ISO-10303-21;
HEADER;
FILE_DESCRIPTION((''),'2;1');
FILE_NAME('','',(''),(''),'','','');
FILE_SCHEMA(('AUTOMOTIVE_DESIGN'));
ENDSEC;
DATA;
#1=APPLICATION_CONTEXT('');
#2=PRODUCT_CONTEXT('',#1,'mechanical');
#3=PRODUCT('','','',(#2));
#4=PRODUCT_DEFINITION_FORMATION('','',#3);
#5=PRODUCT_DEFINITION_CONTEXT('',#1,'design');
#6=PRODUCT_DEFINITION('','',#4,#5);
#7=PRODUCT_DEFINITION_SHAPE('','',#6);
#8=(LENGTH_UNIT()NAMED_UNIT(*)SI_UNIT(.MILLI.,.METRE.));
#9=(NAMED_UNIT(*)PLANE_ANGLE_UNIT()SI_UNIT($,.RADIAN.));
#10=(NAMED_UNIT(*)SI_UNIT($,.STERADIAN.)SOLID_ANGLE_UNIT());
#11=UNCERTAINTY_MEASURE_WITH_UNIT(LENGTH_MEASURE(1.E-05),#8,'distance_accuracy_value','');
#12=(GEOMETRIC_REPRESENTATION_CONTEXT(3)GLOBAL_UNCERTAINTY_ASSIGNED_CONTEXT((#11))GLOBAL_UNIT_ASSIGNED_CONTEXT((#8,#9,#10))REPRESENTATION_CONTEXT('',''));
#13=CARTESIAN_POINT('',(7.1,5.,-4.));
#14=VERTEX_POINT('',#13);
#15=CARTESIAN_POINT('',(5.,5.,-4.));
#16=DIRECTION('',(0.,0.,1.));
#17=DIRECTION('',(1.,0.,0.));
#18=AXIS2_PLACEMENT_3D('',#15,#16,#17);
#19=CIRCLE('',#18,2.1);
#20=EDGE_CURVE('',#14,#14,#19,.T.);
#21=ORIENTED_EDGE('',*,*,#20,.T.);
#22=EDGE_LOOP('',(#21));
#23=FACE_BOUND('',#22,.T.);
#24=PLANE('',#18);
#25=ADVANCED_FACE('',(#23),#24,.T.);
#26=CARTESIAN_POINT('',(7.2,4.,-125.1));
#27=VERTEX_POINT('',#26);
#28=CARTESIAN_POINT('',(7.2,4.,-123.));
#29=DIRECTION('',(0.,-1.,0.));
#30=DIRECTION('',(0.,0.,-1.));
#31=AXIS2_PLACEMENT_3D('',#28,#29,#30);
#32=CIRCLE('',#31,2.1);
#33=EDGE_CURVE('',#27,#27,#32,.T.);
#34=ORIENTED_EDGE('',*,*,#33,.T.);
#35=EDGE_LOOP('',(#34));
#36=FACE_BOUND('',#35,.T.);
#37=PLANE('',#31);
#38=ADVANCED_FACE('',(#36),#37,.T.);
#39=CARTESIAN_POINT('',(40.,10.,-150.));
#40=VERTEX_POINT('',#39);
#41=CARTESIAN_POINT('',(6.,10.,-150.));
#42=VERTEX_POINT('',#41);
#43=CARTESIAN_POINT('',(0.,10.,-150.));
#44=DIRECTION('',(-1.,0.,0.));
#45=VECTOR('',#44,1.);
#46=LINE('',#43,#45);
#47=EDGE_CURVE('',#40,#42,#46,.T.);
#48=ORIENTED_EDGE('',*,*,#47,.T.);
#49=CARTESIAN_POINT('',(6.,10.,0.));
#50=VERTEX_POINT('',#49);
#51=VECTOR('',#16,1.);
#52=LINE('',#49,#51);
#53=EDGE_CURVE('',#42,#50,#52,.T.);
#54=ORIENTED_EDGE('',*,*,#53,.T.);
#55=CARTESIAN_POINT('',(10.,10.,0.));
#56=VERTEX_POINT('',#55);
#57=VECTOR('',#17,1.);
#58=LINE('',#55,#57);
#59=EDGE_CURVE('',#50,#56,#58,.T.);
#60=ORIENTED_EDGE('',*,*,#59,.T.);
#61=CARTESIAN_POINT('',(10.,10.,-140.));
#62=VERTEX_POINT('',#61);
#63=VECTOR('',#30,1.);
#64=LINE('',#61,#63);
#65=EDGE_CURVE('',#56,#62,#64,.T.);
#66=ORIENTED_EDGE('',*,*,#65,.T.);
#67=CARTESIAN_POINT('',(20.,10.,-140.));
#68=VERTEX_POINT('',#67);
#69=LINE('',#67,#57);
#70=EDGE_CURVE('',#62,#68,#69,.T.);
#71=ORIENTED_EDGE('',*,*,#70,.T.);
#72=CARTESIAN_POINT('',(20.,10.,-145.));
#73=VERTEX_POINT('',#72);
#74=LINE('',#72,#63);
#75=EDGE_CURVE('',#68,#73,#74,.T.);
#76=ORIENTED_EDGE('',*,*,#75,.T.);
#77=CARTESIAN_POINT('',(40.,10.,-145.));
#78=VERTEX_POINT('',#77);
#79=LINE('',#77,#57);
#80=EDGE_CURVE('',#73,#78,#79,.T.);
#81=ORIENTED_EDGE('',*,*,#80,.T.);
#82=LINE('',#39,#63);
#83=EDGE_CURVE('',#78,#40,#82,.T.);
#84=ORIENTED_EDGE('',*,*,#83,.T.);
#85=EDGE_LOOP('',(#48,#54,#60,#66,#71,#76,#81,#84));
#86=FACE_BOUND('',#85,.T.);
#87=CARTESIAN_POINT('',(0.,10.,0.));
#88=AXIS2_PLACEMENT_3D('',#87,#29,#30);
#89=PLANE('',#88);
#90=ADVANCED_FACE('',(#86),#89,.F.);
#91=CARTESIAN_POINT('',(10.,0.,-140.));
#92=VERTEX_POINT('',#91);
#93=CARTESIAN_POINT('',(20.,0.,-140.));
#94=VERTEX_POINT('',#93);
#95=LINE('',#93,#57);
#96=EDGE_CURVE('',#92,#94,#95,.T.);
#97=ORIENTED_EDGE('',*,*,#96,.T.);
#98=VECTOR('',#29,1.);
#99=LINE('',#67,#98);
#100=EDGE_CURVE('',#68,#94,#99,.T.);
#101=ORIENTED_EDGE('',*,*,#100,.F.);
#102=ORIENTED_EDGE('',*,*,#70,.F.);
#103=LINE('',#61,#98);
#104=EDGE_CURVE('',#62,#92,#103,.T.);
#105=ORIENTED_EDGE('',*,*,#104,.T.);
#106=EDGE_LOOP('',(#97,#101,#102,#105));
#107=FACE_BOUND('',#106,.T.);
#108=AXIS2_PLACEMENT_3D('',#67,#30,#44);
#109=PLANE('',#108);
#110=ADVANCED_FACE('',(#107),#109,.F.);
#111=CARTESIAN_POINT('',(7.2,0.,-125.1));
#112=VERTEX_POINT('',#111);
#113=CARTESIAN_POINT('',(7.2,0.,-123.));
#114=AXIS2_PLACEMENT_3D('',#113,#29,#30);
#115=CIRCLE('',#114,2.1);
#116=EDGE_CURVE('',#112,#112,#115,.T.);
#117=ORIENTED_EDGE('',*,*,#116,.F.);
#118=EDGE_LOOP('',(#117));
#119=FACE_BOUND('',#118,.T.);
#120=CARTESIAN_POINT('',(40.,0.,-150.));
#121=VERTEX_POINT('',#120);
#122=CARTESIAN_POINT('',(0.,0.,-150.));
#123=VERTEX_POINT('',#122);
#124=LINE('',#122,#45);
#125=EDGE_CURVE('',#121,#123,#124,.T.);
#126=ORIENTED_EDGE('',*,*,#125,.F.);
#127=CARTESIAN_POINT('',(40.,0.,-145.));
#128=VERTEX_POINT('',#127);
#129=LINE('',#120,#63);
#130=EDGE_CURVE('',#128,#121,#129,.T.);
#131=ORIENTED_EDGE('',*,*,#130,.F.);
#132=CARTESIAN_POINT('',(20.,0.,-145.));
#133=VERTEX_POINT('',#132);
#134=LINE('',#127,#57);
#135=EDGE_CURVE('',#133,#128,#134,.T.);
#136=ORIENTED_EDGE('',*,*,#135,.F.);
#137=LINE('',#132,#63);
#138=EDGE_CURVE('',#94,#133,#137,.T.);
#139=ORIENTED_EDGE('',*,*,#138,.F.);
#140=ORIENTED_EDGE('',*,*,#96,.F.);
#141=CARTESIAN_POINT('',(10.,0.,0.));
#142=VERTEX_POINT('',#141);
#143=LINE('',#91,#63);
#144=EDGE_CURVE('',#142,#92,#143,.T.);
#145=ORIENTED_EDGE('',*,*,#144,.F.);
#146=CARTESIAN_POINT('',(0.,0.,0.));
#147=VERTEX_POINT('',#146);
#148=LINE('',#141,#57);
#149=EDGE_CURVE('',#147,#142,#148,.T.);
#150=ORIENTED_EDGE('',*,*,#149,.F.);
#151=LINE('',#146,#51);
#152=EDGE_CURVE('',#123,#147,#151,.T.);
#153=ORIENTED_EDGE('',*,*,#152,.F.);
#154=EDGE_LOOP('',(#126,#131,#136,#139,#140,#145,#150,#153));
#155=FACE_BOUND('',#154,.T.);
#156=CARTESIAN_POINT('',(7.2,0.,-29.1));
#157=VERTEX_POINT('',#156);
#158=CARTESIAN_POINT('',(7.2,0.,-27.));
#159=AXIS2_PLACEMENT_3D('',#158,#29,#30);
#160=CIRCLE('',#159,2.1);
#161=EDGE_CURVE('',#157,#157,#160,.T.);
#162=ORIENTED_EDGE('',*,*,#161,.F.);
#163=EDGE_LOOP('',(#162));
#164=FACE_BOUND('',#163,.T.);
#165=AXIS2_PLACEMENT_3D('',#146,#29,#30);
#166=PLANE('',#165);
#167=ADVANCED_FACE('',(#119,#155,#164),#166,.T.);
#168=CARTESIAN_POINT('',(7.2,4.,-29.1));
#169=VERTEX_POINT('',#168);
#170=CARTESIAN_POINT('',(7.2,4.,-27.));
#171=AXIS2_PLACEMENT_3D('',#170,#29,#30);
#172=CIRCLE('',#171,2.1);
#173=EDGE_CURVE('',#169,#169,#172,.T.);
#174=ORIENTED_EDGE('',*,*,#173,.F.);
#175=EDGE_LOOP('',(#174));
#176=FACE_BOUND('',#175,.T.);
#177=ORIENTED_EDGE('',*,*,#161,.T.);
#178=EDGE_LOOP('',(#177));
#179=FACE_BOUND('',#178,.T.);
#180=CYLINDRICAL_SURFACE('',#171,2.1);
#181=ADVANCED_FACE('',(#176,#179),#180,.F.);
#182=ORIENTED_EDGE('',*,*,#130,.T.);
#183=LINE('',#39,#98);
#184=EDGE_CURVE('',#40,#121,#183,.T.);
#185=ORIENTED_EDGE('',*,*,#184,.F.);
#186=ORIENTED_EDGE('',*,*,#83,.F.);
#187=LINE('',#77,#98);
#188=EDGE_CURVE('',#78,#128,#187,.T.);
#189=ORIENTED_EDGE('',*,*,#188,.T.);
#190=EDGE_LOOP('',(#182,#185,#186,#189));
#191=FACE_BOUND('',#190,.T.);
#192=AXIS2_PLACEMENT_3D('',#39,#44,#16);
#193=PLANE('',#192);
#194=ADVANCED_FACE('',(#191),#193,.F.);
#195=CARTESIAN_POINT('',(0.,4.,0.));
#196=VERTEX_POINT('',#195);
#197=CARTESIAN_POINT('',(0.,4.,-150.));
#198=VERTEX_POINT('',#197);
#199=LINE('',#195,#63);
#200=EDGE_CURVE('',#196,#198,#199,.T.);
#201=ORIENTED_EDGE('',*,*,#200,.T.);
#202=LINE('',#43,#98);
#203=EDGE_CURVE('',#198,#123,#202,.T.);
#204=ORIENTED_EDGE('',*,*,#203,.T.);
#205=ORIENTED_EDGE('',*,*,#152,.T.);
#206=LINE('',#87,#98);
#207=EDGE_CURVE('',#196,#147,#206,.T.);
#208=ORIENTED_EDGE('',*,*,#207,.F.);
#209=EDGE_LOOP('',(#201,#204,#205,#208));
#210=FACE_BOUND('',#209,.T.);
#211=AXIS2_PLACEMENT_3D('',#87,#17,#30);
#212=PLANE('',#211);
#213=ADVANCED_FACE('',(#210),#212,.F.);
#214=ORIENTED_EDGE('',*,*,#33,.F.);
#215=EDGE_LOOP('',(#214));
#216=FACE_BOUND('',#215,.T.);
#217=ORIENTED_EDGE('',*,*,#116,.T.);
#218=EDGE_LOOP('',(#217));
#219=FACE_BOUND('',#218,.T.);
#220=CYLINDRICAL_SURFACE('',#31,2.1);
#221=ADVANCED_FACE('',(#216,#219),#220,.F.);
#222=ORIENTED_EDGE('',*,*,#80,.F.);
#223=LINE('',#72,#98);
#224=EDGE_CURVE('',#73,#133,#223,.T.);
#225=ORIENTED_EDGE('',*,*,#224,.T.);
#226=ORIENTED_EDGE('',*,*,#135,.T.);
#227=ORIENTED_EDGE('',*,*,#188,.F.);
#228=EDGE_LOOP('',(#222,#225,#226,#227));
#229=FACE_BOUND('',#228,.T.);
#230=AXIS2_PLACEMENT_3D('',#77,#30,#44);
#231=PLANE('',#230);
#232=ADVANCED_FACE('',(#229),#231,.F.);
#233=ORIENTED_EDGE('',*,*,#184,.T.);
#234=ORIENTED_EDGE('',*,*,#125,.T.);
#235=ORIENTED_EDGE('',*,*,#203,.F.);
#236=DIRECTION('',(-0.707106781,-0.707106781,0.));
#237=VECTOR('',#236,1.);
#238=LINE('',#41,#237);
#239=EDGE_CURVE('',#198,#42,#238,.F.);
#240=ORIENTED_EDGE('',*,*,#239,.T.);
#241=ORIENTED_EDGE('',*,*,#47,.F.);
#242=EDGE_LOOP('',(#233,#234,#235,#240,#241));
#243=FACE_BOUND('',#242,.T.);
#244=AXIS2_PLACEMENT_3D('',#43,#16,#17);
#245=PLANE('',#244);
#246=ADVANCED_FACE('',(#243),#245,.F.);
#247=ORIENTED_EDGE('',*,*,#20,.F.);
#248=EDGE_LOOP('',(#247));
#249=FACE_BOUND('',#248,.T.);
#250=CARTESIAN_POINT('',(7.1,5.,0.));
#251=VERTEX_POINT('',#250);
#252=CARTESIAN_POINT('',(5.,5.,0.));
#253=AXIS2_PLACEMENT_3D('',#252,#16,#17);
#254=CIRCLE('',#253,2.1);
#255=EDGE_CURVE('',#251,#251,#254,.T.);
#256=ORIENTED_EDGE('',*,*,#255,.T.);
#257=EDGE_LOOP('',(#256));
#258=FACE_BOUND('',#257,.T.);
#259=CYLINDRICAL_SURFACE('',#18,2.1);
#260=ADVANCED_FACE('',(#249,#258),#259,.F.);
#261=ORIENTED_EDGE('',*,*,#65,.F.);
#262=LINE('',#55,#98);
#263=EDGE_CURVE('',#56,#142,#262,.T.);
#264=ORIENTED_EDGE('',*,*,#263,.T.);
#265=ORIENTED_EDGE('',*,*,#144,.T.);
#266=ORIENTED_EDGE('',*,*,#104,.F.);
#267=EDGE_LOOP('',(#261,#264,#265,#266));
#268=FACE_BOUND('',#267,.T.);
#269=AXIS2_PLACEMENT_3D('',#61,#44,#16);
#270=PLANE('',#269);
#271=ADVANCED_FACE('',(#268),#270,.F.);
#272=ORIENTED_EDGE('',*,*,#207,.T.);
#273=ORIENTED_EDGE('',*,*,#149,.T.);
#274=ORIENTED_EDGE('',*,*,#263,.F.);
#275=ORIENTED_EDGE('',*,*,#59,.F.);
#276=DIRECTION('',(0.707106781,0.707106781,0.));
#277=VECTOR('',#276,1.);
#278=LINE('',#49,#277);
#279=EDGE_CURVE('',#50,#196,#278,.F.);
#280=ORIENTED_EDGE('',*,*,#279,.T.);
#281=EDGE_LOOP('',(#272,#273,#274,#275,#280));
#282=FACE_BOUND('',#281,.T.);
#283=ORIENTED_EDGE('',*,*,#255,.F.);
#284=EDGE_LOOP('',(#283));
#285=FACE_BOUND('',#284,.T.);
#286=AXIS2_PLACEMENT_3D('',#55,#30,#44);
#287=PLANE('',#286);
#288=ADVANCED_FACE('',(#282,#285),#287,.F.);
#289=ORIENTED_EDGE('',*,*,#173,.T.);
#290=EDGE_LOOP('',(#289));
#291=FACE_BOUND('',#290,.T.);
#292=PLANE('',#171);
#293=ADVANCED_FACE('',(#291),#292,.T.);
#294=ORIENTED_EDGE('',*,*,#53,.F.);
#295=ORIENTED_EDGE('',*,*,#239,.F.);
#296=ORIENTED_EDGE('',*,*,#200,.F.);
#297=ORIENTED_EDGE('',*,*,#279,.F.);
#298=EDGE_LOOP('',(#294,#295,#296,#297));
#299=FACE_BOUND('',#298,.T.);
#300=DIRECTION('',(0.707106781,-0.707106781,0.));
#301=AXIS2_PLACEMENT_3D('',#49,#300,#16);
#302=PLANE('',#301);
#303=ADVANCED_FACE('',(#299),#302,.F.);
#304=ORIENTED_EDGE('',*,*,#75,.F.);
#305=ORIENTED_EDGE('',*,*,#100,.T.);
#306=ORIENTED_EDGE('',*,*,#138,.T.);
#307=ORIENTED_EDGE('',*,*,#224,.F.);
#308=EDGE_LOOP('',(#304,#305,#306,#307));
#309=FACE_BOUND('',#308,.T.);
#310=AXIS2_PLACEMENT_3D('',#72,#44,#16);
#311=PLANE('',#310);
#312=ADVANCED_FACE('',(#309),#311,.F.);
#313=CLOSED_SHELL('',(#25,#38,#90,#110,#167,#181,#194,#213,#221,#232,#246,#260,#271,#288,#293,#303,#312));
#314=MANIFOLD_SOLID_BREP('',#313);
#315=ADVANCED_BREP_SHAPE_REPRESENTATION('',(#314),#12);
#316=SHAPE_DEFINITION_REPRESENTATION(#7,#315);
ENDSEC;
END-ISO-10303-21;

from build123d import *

# Parameters (mm, degrees)
DODANIE_WYCI_GNI_CIE1_DEPTH = 10
SZKIC2_R                    = 2.1
WYTNIJ_WYCI_GNI_CIE1_DEPTH  = 4
SZKIC3_R                    = 2.1
WYTNIJ_WYCI_GNI_CIE2_DEPTH  = 4
SFAZOWANIE1_SIZE            = 6


with BuildPart() as part:
    # Szkic1 → Dodanie-wyciągnięcie1 (new body)
    with BuildSketch(Plane(origin=(0, 0, 0), x_dir=(1, 0, 0), z_dir=(0, 1, 0))):
        Polygon((0, 0), (0, 150), (40, 150), (40, 145), (20, 145), (20, 140), (10, 140), (10, 0), align=None)
    extrude(amount=DODANIE_WYCI_GNI_CIE1_DEPTH)

    # Szkic2 → Wytnij-wyciągnięcie1 (cut)
    with BuildSketch(Plane.XZ):
        with Locations(Location((7.2, -27, 0), (0, 0, 270))):
            Circle(SZKIC2_R)
        with Locations(Location((7.2, -123, 0), (0, 0, 270))):
            Circle(SZKIC2_R)
    extrude(amount=-WYTNIJ_WYCI_GNI_CIE1_DEPTH, mode=Mode.SUBTRACT)

    # Szkic3 → Wytnij-wyciągnięcie2 (cut)
    with BuildSketch(Plane.XY):
        with Locations((5, 5)):
            Circle(SZKIC3_R)
    extrude(amount=-WYTNIJ_WYCI_GNI_CIE2_DEPTH, mode=Mode.SUBTRACT)

    # Sfazowanie1
    sfazowanie1_edges = [part.edges().sort_by_distance(p)[0] for p in [
        (0, 10, -75),
    ]]
    chamfer(sfazowanie1_edges, length=SFAZOWANIE1_SIZE)


solid = part.part
